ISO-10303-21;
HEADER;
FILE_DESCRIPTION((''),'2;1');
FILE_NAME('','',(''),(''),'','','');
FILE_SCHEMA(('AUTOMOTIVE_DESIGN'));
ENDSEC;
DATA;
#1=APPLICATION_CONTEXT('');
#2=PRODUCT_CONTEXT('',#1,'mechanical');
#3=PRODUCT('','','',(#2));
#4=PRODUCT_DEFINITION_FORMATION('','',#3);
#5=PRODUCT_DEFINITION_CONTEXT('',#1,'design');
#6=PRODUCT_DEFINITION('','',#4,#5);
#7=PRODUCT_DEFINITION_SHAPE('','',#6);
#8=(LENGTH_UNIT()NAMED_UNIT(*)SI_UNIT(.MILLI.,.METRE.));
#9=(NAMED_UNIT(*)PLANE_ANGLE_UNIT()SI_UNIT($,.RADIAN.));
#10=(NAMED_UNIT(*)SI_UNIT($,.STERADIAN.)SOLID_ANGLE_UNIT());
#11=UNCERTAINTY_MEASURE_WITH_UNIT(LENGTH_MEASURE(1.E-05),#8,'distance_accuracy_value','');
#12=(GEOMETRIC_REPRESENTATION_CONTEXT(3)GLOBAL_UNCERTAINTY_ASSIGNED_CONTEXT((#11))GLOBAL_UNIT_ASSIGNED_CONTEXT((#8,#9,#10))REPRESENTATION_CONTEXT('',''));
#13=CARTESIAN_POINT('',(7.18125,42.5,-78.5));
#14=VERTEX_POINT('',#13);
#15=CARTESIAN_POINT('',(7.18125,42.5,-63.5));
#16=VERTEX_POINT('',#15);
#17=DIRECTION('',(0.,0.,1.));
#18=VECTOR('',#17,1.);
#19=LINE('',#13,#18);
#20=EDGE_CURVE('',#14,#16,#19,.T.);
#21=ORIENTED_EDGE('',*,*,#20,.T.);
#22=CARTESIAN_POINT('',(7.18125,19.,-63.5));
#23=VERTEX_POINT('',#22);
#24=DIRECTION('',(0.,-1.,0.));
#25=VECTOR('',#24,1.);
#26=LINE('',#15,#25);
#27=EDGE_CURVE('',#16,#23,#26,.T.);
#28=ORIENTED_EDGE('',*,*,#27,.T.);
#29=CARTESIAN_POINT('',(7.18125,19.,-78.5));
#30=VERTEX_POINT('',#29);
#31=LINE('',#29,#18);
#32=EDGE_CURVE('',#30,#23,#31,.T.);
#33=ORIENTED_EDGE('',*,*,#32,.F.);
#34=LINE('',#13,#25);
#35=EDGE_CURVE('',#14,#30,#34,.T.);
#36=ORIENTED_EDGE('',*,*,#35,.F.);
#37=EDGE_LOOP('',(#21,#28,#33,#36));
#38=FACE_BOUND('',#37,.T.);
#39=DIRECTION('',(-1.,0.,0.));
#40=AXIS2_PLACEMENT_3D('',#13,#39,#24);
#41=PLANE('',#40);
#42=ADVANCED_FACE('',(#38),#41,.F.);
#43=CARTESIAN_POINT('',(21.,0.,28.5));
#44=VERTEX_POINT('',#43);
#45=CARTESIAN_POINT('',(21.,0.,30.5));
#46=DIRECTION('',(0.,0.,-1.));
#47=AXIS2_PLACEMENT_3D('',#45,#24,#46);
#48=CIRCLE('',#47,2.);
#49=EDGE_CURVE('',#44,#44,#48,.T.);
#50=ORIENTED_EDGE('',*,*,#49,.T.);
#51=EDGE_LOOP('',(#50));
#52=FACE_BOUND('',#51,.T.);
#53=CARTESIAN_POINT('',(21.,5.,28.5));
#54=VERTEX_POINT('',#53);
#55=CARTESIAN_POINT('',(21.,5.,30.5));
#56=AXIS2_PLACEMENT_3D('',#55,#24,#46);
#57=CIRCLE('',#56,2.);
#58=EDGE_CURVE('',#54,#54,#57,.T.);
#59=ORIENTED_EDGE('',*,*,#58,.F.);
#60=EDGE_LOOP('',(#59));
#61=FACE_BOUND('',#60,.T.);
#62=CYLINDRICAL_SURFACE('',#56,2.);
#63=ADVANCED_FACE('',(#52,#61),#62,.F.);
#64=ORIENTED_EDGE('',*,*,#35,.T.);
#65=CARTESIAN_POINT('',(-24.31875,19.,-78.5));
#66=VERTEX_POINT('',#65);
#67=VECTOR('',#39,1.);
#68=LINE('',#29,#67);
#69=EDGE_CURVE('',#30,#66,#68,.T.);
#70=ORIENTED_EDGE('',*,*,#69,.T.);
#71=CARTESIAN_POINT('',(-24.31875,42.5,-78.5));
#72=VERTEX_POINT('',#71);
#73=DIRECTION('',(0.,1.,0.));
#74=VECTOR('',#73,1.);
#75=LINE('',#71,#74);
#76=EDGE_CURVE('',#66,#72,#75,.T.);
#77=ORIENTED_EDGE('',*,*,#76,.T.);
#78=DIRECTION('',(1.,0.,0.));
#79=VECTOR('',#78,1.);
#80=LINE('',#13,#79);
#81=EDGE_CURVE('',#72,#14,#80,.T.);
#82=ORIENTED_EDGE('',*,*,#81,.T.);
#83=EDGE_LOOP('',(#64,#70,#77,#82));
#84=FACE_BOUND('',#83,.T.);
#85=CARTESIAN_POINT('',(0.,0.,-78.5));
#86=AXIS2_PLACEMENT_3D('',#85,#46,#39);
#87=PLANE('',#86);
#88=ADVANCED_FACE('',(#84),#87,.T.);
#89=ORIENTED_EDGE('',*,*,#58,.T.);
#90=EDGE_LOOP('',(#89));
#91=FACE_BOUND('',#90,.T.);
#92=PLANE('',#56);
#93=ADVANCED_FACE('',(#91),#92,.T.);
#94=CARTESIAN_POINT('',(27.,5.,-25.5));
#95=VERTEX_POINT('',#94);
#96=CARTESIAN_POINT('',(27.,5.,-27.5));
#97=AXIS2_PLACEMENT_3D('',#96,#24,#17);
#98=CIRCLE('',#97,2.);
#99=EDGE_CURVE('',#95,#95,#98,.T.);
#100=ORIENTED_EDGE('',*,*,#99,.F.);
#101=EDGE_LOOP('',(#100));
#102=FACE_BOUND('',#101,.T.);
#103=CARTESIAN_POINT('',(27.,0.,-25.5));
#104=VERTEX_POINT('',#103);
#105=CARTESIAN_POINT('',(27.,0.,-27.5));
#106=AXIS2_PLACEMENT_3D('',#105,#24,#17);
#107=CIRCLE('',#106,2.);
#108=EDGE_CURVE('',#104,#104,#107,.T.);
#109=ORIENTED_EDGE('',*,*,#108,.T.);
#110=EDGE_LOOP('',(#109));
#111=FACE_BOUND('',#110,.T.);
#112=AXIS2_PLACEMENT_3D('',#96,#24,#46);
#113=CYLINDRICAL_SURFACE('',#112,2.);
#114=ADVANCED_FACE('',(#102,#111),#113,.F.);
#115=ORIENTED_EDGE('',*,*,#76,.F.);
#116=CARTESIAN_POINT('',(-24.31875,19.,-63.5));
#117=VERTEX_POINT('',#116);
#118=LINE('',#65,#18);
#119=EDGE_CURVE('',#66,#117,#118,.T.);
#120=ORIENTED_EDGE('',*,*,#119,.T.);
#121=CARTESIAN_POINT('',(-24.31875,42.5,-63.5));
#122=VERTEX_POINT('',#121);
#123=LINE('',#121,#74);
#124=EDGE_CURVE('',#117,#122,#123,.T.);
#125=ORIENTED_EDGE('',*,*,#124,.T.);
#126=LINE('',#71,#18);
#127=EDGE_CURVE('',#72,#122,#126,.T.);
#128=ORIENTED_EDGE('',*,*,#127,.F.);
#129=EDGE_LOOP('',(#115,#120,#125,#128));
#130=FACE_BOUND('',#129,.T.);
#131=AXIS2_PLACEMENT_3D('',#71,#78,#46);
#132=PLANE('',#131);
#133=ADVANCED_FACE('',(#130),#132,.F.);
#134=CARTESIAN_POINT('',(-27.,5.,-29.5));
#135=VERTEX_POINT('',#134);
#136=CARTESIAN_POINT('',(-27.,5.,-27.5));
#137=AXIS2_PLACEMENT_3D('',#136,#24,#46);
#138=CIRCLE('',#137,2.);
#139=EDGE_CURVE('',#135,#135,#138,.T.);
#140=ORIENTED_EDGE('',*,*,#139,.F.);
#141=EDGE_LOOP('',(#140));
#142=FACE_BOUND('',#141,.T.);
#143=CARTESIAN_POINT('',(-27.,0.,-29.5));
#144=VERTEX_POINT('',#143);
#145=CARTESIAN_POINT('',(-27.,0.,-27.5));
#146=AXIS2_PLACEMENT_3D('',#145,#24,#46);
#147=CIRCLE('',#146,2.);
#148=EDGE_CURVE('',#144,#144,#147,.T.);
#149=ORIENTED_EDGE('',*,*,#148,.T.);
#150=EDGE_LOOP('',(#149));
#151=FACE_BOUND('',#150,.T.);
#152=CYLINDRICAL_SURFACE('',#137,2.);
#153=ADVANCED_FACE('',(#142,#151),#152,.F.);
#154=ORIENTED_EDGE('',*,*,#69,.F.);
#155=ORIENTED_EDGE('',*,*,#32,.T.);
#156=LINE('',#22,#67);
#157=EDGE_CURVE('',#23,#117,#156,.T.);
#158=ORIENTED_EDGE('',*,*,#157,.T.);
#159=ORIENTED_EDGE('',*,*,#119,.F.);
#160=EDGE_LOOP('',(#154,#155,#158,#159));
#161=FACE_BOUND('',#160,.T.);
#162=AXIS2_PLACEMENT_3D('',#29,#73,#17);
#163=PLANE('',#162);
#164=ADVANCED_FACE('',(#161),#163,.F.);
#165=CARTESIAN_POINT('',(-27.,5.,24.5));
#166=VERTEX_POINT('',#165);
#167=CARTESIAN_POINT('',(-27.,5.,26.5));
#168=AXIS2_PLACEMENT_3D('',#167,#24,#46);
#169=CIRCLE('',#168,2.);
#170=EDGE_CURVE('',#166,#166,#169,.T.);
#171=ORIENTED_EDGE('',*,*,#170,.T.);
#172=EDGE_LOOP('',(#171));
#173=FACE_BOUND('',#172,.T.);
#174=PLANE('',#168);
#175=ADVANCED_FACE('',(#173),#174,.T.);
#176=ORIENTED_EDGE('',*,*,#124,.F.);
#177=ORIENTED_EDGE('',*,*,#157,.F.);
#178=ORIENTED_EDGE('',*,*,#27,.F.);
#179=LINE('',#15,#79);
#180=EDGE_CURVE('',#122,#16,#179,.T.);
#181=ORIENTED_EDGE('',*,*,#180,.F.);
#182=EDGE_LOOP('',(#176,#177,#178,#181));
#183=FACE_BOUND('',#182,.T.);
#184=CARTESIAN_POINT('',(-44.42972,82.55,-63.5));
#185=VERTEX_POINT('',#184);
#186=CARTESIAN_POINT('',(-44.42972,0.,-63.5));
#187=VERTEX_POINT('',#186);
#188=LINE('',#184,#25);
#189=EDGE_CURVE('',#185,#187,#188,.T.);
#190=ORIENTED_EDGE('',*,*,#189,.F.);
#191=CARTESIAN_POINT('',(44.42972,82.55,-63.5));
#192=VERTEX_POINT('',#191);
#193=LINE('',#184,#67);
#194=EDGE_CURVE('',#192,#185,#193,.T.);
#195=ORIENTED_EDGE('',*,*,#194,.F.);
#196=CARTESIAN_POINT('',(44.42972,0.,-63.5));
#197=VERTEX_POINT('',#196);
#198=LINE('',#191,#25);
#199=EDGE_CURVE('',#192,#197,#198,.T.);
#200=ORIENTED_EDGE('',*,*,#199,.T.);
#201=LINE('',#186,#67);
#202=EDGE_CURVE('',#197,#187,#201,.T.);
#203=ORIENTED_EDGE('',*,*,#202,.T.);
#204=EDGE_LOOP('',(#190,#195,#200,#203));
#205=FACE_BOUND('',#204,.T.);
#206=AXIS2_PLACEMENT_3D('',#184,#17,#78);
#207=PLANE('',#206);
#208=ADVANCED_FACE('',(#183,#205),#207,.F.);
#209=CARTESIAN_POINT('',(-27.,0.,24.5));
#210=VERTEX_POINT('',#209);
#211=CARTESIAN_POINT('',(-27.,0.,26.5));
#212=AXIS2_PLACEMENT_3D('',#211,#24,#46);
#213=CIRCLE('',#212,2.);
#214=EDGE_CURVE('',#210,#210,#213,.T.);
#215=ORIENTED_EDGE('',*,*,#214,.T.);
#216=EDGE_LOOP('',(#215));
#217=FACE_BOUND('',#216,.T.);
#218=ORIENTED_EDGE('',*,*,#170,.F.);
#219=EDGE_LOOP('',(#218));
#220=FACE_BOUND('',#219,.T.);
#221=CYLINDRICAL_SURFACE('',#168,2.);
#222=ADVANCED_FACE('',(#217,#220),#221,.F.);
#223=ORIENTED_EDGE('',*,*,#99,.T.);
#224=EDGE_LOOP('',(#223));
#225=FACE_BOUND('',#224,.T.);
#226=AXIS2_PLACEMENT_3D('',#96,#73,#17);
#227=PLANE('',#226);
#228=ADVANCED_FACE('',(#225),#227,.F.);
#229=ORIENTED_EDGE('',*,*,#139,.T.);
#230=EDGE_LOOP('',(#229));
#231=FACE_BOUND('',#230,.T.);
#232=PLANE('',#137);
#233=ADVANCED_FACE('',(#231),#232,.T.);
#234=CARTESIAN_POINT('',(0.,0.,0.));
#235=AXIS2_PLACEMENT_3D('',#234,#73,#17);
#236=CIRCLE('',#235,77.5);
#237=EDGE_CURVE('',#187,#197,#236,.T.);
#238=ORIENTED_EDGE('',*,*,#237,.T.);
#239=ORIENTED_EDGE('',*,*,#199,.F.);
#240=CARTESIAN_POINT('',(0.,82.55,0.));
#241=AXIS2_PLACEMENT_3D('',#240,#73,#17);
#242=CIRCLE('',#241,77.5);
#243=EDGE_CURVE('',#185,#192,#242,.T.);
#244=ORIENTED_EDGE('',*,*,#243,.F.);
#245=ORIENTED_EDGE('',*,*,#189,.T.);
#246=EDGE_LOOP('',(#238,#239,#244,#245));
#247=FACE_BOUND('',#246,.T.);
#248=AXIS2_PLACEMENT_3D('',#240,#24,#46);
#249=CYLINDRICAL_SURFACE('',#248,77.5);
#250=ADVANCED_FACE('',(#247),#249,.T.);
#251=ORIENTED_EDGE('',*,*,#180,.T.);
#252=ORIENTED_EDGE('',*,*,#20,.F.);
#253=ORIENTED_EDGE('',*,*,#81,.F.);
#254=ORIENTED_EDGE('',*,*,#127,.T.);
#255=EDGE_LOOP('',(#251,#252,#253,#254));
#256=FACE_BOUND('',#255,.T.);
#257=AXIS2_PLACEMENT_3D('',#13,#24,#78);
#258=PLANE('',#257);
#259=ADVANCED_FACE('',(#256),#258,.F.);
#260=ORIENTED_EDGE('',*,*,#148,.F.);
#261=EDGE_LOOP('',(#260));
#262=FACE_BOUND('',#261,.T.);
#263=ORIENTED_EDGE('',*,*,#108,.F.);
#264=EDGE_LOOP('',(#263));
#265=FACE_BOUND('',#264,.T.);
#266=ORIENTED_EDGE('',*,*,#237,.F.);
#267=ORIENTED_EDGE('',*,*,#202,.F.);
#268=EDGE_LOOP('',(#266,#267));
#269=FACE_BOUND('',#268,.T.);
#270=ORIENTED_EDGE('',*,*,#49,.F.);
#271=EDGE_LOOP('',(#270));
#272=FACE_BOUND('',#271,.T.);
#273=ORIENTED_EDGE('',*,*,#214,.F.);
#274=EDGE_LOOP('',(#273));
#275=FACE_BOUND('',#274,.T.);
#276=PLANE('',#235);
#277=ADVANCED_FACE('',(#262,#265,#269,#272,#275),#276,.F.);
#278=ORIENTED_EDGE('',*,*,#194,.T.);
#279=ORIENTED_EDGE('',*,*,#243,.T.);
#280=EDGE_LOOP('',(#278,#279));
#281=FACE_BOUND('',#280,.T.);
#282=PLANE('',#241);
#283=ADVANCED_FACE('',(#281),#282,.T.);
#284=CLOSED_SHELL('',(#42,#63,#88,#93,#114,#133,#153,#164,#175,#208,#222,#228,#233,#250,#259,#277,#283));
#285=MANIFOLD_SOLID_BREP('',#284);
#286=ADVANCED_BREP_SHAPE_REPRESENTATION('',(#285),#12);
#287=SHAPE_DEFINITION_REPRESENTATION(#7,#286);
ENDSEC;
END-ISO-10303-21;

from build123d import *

# Parameters (mm, degrees)
BOSS_EXTRUDE1_DEPTH = 82.55
SKETCH2_R           = 2
CUT_EXTRUDE1_DEPTH  = 5
SKETCH3_W           = 31.5
SKETCH3_H           = 23.5
BOSS_EXTRUDE2_DEPTH = 15


with BuildPart() as part:
    # Sketch1 → Boss-Extrude1 (new body)
    with BuildSketch(Plane(origin=(0, 0, 0), x_dir=(1, 0, 0), z_dir=(0, 1, 0))):
        with BuildLine():
            Line((-44.429719783, 63.5), (44.429719783, 63.5))
            ThreePointArc((44.429719783, 63.5), (0, -77.5), (-44.429719783, 63.5))
        make_face()
    extrude(amount=BOSS_EXTRUDE1_DEPTH)

    # Sketch2 → Cut-Extrude1 (cut)
    with BuildSketch(Plane.XZ):
        with Locations(Location((-27, -27.5, 0), (0, 0, 270))):
            Circle(SKETCH2_R)
        with Locations(Location((-27, 26.5, 0), (0, 0, 270))):
            Circle(SKETCH2_R)
        with Locations(Location((21, 30.5, 0), (0, 0, 270))):
            Circle(SKETCH2_R)
        with Locations(Location((27, -27.5, 0), (0, 0, 90))):
            Circle(SKETCH2_R)
    extrude(amount=-CUT_EXTRUDE1_DEPTH, mode=Mode.SUBTRACT)

    # Sketch3 → Boss-Extrude2 (add)
    with BuildSketch(Plane(origin=(0, 0, -63.5), x_dir=(-1, 0, 0), z_dir=(0, 0, -1))):
        with Locations((8.56875, 30.75)):
            Rectangle(SKETCH3_W, SKETCH3_H)
    extrude(amount=BOSS_EXTRUDE2_DEPTH)


solid = part.part
